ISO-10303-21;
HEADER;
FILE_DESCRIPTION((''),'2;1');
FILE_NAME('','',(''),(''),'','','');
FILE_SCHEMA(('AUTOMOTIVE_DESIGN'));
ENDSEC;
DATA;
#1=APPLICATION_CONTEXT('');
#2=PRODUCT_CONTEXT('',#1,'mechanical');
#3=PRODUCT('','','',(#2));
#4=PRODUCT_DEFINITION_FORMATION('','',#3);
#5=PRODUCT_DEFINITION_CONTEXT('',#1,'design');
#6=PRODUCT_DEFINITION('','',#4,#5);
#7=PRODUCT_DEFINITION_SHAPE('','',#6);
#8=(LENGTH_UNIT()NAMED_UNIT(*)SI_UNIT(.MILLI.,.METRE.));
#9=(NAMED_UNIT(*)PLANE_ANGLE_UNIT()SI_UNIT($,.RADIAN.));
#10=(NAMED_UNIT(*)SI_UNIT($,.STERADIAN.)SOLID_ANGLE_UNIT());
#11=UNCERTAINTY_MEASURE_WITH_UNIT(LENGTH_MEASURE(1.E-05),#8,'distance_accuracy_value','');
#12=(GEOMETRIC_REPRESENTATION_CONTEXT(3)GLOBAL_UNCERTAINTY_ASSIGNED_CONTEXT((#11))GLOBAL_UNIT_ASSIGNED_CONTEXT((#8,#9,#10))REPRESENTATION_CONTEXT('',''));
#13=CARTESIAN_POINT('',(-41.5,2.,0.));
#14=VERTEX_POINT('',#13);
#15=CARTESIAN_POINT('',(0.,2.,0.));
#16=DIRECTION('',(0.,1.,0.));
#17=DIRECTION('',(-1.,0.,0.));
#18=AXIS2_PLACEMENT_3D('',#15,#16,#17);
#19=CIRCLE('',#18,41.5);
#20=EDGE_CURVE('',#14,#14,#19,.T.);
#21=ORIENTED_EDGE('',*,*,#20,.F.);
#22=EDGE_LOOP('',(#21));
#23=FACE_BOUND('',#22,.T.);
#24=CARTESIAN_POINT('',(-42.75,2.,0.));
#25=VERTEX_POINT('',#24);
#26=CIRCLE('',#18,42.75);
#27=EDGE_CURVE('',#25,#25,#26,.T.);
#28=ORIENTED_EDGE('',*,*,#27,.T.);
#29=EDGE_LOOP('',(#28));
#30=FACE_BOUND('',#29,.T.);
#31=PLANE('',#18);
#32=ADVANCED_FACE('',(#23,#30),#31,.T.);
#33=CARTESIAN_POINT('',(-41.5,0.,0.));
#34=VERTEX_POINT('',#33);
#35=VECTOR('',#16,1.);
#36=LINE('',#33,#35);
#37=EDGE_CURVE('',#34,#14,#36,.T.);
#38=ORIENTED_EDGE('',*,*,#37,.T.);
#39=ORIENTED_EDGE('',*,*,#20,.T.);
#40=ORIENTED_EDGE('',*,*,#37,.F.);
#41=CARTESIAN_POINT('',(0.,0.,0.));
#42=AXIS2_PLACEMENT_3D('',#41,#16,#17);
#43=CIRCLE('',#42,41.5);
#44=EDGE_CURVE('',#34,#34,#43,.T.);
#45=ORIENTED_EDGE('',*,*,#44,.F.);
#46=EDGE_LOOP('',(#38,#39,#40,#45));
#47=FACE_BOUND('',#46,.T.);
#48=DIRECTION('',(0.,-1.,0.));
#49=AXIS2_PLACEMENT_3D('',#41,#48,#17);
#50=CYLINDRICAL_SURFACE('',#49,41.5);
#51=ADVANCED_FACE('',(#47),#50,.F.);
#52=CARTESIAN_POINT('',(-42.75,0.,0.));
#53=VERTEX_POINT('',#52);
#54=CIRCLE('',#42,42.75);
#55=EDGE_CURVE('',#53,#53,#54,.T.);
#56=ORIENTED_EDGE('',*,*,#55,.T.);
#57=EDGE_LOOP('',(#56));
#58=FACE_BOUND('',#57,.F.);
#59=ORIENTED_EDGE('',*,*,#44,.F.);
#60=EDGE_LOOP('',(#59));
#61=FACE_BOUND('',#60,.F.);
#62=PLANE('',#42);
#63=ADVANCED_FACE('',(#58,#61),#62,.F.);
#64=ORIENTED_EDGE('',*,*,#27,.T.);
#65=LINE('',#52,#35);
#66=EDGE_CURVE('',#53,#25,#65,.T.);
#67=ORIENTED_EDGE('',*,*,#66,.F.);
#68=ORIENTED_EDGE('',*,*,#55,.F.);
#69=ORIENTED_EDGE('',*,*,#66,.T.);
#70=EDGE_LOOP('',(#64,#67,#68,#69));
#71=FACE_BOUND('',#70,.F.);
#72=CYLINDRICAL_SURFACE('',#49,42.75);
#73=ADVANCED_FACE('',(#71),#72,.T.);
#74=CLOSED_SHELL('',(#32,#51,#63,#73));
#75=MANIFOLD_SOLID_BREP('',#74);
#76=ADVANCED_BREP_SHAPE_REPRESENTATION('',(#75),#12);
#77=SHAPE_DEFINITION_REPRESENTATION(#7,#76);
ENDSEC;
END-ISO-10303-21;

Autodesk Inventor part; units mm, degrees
ref_plane "YZ Plane" through (0, 0, 0) normal (1, 0, 0) x (0, 1, 0)
ref_plane "XZ Plane" through (0, 0, 0) normal (0, 1, 0) x (-1, 0, 0)
ref_plane "XY Plane" through (0, 0, 0) normal (0, 0, 1) x (1, 0, 0)
sketch "Sketch1" plane through (0, 0, 0) normal (0, 1, 0) x (-1, 0, 0)
  circle A0 centre (0, 0) radius 41.5
  circle A1 centre (0, 0) radius 42.75
  dimension "d0" = 83
  dimension "d1" = 85.5
extrude "Extrusion1" add sketch "Sketch1" along normal blind 2
properties part number "Pierścień zgarniający, zgarniająco-kompensacyjny"
